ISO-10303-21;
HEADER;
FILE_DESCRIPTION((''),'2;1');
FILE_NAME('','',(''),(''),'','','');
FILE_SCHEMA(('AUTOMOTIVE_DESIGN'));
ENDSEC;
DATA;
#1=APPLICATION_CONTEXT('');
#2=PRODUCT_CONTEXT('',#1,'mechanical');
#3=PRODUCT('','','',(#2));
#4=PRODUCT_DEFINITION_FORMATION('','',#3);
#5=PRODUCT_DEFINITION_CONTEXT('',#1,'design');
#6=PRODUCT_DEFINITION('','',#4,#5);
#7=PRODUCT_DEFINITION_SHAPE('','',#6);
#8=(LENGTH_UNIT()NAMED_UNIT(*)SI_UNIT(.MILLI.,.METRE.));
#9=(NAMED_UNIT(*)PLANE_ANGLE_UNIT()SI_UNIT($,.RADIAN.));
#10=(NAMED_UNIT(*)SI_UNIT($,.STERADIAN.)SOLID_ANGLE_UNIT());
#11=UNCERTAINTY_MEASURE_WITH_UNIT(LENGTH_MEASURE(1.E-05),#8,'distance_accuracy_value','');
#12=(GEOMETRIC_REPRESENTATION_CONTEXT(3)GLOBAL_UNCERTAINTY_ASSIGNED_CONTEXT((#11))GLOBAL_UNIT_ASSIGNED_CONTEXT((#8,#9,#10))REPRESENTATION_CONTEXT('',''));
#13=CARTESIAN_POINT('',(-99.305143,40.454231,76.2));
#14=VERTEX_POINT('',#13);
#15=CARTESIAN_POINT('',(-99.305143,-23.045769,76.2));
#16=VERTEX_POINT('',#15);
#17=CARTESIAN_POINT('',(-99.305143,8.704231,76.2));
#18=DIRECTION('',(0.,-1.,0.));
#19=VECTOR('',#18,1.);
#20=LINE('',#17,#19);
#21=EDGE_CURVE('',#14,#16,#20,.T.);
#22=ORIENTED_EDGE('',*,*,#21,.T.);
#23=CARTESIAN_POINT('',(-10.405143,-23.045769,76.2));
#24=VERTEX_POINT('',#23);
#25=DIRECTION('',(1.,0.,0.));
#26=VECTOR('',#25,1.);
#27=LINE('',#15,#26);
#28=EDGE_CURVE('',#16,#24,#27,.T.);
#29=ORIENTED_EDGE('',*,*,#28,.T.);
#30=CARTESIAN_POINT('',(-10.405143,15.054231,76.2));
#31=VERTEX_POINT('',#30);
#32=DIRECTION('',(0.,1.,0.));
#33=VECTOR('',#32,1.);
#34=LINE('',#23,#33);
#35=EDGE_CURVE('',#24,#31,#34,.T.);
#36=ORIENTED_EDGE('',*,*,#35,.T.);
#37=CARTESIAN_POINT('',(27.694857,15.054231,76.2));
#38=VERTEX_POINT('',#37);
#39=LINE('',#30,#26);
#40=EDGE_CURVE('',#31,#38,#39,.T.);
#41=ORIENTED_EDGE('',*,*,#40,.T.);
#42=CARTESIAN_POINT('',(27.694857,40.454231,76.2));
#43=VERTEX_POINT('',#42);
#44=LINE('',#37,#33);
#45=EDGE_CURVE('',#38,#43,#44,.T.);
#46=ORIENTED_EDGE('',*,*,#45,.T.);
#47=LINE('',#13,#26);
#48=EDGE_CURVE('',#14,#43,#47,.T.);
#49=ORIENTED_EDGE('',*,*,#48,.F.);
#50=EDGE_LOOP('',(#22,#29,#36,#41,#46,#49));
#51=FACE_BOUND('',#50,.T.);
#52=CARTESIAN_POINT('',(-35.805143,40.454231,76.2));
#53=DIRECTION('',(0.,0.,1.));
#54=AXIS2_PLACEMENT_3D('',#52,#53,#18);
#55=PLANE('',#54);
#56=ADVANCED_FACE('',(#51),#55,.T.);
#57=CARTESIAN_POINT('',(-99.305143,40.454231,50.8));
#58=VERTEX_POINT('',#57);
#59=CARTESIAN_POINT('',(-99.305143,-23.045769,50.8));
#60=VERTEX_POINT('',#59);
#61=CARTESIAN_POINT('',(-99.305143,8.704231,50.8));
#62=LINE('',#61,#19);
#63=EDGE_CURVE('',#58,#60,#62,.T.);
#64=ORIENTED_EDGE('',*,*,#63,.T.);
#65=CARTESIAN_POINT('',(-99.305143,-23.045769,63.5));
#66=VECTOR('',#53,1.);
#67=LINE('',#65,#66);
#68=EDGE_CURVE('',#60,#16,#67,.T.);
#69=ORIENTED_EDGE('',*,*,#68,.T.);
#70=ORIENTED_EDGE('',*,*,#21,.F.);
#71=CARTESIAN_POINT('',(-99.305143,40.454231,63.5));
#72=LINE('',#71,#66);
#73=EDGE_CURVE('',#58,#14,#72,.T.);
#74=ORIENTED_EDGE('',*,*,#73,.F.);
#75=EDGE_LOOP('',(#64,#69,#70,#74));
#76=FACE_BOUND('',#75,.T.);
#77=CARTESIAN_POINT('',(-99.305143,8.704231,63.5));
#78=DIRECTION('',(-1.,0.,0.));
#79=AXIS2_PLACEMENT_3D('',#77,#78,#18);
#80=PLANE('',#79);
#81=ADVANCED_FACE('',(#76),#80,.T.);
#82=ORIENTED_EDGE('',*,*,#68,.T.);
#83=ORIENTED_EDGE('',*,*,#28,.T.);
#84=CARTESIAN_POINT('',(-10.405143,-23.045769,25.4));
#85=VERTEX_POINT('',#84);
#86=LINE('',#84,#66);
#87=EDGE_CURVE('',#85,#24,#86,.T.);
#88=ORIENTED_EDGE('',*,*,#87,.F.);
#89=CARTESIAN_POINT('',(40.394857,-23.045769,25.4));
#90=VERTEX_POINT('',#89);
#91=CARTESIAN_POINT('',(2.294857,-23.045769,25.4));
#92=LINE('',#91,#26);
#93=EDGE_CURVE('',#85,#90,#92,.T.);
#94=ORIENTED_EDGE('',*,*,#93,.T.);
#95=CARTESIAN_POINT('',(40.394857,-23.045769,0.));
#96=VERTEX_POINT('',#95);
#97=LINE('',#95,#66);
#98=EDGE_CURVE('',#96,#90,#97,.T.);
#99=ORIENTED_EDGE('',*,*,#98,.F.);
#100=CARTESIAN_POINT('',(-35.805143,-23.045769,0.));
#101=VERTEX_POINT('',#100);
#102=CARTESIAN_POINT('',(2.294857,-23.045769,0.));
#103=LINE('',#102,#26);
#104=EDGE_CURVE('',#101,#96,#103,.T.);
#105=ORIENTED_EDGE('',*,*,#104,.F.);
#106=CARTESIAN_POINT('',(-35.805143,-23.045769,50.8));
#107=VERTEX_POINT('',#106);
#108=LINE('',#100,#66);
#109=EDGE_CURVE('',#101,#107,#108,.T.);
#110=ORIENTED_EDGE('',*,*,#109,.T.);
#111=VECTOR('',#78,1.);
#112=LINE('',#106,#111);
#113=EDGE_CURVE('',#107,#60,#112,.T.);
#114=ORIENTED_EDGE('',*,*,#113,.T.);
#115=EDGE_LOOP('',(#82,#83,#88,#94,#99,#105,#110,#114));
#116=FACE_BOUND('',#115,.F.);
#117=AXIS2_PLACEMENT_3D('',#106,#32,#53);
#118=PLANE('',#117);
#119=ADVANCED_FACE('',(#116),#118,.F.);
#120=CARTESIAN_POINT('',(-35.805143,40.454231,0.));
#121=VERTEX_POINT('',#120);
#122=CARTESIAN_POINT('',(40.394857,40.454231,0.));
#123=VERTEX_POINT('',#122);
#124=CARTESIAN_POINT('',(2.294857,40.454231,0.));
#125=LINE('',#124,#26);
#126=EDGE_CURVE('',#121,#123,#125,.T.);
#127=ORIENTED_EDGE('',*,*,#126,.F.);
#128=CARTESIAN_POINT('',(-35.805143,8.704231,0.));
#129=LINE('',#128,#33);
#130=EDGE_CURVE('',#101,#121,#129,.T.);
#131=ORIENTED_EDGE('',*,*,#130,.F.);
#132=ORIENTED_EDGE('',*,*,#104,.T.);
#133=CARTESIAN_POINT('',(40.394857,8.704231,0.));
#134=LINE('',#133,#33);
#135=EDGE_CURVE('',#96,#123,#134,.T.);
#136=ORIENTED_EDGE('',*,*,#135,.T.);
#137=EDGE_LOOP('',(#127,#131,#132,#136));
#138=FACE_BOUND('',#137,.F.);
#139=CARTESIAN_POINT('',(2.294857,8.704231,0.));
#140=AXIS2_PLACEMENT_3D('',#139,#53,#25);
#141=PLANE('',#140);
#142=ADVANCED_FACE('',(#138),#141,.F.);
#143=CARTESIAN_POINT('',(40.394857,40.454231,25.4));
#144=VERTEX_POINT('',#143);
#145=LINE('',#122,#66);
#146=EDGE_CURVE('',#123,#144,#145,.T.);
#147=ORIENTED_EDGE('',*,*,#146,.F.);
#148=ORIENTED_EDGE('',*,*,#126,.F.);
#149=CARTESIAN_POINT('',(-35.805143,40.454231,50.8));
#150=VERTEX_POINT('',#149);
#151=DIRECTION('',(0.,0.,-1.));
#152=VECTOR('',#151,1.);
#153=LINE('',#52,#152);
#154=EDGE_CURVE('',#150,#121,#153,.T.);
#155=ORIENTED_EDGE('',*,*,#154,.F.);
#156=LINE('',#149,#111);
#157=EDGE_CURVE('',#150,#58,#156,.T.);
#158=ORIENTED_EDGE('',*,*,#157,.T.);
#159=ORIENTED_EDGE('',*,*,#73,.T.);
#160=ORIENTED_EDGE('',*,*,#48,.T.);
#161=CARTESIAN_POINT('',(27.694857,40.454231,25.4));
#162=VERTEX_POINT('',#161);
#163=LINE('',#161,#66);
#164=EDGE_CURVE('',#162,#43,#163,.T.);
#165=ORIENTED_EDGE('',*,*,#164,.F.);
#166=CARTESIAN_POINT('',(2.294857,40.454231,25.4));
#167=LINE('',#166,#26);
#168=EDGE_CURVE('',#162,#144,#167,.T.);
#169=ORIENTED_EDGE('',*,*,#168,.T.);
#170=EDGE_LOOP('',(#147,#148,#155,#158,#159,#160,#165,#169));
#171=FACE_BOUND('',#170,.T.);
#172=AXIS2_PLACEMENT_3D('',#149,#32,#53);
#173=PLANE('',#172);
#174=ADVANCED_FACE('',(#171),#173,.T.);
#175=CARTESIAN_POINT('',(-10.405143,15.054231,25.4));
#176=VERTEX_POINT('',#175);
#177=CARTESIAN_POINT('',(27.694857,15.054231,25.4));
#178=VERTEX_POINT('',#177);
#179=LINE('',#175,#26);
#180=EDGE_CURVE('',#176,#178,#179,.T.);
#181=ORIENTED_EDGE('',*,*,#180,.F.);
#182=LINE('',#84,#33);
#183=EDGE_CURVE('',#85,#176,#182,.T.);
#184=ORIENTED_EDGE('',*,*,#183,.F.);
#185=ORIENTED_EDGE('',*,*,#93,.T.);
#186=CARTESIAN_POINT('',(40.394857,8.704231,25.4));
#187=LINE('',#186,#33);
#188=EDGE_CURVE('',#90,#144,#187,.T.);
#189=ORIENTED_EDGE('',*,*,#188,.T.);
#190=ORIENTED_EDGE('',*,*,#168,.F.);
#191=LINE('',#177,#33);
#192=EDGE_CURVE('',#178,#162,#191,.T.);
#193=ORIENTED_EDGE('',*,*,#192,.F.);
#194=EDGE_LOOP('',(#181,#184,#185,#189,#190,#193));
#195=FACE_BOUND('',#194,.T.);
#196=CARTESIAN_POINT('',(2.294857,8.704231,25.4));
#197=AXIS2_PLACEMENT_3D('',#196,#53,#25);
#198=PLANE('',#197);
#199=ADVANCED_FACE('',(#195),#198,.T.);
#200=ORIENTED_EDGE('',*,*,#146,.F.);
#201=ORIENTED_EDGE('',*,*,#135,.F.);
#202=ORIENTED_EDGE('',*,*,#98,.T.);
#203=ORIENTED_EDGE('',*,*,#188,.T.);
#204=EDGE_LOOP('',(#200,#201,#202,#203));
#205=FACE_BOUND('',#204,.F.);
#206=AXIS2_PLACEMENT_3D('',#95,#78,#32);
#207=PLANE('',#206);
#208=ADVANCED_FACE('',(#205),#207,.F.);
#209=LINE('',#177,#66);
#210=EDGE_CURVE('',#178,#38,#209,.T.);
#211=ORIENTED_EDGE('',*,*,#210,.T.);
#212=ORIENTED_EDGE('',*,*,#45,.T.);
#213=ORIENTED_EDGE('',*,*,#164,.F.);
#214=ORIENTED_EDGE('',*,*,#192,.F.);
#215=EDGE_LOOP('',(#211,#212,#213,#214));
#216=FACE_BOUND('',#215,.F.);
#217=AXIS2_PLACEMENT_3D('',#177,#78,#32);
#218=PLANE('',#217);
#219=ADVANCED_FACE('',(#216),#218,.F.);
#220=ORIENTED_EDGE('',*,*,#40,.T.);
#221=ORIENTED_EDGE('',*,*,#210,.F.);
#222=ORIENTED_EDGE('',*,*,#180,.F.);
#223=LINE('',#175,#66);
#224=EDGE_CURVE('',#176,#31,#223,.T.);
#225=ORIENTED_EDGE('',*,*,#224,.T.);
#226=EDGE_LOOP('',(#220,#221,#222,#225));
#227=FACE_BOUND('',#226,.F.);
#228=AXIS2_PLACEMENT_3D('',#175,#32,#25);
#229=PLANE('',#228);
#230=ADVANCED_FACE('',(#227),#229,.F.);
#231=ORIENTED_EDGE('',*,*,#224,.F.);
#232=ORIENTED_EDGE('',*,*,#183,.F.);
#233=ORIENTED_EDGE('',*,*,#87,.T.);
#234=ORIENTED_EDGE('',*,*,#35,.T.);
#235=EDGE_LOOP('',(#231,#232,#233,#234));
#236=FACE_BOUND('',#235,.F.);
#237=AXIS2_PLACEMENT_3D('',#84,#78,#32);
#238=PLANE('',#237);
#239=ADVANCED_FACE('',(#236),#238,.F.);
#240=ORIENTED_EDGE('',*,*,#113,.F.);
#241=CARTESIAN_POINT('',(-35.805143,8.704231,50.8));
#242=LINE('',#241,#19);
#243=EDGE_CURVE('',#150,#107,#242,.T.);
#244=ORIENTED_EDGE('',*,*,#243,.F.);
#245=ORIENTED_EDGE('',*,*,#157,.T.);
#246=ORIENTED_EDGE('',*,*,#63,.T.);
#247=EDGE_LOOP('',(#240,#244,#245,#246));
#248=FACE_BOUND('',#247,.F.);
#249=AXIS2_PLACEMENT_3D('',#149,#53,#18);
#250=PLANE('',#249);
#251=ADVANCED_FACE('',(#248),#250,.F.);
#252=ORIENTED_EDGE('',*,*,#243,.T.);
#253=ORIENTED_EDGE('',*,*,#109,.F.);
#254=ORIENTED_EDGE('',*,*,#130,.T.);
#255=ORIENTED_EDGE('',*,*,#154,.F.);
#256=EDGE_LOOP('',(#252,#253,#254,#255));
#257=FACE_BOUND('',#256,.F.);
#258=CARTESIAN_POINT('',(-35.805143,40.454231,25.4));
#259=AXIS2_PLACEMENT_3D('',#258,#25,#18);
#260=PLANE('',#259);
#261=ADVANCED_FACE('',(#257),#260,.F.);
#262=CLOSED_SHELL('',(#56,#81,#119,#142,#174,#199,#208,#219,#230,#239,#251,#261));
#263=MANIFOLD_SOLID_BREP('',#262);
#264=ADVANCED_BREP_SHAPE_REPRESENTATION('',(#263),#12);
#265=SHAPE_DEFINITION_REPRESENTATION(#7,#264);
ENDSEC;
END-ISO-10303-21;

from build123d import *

# Parameters (mm, degrees)
F0_W     = 76.2
F0_H     = 63.5
F1_DEPTH = 25.4
F3_DEPTH = 50.8
F4_W     = 63.5
F4_H     = 25.4
F5_DEPTH = 63.5


with BuildPart() as f1:
    # F0 (on Top) → F1 (new body)
    with BuildSketch(Plane.XY):
        with Locations((2.294857, 8.704231)):
            Rectangle(F0_W, F0_H)
    extrude(amount=F1_DEPTH)

    # F2 (on face) → F3 (join)
    with BuildSketch(Plane.XY.offset(25.4)):
        Polygon((-35.805143, 40.454231), (-35.805143, -23.045769), (-10.405143, -23.045769), (-10.405143, 15.054231), (27.694857, 15.054231), (27.694857, 40.454231), align=None)
    extrude(amount=F3_DEPTH)

    # F4 (on face) → F5 (join)
    with BuildSketch(Plane(origin=(-35.805143, 0, 0), x_dir=(0, -1, 0), z_dir=(-1, 0, 0))):
        with Locations((-8.704231, 63.5)):
            Rectangle(F4_W, F4_H)
    extrude(amount=F5_DEPTH)


solid = f1.part
